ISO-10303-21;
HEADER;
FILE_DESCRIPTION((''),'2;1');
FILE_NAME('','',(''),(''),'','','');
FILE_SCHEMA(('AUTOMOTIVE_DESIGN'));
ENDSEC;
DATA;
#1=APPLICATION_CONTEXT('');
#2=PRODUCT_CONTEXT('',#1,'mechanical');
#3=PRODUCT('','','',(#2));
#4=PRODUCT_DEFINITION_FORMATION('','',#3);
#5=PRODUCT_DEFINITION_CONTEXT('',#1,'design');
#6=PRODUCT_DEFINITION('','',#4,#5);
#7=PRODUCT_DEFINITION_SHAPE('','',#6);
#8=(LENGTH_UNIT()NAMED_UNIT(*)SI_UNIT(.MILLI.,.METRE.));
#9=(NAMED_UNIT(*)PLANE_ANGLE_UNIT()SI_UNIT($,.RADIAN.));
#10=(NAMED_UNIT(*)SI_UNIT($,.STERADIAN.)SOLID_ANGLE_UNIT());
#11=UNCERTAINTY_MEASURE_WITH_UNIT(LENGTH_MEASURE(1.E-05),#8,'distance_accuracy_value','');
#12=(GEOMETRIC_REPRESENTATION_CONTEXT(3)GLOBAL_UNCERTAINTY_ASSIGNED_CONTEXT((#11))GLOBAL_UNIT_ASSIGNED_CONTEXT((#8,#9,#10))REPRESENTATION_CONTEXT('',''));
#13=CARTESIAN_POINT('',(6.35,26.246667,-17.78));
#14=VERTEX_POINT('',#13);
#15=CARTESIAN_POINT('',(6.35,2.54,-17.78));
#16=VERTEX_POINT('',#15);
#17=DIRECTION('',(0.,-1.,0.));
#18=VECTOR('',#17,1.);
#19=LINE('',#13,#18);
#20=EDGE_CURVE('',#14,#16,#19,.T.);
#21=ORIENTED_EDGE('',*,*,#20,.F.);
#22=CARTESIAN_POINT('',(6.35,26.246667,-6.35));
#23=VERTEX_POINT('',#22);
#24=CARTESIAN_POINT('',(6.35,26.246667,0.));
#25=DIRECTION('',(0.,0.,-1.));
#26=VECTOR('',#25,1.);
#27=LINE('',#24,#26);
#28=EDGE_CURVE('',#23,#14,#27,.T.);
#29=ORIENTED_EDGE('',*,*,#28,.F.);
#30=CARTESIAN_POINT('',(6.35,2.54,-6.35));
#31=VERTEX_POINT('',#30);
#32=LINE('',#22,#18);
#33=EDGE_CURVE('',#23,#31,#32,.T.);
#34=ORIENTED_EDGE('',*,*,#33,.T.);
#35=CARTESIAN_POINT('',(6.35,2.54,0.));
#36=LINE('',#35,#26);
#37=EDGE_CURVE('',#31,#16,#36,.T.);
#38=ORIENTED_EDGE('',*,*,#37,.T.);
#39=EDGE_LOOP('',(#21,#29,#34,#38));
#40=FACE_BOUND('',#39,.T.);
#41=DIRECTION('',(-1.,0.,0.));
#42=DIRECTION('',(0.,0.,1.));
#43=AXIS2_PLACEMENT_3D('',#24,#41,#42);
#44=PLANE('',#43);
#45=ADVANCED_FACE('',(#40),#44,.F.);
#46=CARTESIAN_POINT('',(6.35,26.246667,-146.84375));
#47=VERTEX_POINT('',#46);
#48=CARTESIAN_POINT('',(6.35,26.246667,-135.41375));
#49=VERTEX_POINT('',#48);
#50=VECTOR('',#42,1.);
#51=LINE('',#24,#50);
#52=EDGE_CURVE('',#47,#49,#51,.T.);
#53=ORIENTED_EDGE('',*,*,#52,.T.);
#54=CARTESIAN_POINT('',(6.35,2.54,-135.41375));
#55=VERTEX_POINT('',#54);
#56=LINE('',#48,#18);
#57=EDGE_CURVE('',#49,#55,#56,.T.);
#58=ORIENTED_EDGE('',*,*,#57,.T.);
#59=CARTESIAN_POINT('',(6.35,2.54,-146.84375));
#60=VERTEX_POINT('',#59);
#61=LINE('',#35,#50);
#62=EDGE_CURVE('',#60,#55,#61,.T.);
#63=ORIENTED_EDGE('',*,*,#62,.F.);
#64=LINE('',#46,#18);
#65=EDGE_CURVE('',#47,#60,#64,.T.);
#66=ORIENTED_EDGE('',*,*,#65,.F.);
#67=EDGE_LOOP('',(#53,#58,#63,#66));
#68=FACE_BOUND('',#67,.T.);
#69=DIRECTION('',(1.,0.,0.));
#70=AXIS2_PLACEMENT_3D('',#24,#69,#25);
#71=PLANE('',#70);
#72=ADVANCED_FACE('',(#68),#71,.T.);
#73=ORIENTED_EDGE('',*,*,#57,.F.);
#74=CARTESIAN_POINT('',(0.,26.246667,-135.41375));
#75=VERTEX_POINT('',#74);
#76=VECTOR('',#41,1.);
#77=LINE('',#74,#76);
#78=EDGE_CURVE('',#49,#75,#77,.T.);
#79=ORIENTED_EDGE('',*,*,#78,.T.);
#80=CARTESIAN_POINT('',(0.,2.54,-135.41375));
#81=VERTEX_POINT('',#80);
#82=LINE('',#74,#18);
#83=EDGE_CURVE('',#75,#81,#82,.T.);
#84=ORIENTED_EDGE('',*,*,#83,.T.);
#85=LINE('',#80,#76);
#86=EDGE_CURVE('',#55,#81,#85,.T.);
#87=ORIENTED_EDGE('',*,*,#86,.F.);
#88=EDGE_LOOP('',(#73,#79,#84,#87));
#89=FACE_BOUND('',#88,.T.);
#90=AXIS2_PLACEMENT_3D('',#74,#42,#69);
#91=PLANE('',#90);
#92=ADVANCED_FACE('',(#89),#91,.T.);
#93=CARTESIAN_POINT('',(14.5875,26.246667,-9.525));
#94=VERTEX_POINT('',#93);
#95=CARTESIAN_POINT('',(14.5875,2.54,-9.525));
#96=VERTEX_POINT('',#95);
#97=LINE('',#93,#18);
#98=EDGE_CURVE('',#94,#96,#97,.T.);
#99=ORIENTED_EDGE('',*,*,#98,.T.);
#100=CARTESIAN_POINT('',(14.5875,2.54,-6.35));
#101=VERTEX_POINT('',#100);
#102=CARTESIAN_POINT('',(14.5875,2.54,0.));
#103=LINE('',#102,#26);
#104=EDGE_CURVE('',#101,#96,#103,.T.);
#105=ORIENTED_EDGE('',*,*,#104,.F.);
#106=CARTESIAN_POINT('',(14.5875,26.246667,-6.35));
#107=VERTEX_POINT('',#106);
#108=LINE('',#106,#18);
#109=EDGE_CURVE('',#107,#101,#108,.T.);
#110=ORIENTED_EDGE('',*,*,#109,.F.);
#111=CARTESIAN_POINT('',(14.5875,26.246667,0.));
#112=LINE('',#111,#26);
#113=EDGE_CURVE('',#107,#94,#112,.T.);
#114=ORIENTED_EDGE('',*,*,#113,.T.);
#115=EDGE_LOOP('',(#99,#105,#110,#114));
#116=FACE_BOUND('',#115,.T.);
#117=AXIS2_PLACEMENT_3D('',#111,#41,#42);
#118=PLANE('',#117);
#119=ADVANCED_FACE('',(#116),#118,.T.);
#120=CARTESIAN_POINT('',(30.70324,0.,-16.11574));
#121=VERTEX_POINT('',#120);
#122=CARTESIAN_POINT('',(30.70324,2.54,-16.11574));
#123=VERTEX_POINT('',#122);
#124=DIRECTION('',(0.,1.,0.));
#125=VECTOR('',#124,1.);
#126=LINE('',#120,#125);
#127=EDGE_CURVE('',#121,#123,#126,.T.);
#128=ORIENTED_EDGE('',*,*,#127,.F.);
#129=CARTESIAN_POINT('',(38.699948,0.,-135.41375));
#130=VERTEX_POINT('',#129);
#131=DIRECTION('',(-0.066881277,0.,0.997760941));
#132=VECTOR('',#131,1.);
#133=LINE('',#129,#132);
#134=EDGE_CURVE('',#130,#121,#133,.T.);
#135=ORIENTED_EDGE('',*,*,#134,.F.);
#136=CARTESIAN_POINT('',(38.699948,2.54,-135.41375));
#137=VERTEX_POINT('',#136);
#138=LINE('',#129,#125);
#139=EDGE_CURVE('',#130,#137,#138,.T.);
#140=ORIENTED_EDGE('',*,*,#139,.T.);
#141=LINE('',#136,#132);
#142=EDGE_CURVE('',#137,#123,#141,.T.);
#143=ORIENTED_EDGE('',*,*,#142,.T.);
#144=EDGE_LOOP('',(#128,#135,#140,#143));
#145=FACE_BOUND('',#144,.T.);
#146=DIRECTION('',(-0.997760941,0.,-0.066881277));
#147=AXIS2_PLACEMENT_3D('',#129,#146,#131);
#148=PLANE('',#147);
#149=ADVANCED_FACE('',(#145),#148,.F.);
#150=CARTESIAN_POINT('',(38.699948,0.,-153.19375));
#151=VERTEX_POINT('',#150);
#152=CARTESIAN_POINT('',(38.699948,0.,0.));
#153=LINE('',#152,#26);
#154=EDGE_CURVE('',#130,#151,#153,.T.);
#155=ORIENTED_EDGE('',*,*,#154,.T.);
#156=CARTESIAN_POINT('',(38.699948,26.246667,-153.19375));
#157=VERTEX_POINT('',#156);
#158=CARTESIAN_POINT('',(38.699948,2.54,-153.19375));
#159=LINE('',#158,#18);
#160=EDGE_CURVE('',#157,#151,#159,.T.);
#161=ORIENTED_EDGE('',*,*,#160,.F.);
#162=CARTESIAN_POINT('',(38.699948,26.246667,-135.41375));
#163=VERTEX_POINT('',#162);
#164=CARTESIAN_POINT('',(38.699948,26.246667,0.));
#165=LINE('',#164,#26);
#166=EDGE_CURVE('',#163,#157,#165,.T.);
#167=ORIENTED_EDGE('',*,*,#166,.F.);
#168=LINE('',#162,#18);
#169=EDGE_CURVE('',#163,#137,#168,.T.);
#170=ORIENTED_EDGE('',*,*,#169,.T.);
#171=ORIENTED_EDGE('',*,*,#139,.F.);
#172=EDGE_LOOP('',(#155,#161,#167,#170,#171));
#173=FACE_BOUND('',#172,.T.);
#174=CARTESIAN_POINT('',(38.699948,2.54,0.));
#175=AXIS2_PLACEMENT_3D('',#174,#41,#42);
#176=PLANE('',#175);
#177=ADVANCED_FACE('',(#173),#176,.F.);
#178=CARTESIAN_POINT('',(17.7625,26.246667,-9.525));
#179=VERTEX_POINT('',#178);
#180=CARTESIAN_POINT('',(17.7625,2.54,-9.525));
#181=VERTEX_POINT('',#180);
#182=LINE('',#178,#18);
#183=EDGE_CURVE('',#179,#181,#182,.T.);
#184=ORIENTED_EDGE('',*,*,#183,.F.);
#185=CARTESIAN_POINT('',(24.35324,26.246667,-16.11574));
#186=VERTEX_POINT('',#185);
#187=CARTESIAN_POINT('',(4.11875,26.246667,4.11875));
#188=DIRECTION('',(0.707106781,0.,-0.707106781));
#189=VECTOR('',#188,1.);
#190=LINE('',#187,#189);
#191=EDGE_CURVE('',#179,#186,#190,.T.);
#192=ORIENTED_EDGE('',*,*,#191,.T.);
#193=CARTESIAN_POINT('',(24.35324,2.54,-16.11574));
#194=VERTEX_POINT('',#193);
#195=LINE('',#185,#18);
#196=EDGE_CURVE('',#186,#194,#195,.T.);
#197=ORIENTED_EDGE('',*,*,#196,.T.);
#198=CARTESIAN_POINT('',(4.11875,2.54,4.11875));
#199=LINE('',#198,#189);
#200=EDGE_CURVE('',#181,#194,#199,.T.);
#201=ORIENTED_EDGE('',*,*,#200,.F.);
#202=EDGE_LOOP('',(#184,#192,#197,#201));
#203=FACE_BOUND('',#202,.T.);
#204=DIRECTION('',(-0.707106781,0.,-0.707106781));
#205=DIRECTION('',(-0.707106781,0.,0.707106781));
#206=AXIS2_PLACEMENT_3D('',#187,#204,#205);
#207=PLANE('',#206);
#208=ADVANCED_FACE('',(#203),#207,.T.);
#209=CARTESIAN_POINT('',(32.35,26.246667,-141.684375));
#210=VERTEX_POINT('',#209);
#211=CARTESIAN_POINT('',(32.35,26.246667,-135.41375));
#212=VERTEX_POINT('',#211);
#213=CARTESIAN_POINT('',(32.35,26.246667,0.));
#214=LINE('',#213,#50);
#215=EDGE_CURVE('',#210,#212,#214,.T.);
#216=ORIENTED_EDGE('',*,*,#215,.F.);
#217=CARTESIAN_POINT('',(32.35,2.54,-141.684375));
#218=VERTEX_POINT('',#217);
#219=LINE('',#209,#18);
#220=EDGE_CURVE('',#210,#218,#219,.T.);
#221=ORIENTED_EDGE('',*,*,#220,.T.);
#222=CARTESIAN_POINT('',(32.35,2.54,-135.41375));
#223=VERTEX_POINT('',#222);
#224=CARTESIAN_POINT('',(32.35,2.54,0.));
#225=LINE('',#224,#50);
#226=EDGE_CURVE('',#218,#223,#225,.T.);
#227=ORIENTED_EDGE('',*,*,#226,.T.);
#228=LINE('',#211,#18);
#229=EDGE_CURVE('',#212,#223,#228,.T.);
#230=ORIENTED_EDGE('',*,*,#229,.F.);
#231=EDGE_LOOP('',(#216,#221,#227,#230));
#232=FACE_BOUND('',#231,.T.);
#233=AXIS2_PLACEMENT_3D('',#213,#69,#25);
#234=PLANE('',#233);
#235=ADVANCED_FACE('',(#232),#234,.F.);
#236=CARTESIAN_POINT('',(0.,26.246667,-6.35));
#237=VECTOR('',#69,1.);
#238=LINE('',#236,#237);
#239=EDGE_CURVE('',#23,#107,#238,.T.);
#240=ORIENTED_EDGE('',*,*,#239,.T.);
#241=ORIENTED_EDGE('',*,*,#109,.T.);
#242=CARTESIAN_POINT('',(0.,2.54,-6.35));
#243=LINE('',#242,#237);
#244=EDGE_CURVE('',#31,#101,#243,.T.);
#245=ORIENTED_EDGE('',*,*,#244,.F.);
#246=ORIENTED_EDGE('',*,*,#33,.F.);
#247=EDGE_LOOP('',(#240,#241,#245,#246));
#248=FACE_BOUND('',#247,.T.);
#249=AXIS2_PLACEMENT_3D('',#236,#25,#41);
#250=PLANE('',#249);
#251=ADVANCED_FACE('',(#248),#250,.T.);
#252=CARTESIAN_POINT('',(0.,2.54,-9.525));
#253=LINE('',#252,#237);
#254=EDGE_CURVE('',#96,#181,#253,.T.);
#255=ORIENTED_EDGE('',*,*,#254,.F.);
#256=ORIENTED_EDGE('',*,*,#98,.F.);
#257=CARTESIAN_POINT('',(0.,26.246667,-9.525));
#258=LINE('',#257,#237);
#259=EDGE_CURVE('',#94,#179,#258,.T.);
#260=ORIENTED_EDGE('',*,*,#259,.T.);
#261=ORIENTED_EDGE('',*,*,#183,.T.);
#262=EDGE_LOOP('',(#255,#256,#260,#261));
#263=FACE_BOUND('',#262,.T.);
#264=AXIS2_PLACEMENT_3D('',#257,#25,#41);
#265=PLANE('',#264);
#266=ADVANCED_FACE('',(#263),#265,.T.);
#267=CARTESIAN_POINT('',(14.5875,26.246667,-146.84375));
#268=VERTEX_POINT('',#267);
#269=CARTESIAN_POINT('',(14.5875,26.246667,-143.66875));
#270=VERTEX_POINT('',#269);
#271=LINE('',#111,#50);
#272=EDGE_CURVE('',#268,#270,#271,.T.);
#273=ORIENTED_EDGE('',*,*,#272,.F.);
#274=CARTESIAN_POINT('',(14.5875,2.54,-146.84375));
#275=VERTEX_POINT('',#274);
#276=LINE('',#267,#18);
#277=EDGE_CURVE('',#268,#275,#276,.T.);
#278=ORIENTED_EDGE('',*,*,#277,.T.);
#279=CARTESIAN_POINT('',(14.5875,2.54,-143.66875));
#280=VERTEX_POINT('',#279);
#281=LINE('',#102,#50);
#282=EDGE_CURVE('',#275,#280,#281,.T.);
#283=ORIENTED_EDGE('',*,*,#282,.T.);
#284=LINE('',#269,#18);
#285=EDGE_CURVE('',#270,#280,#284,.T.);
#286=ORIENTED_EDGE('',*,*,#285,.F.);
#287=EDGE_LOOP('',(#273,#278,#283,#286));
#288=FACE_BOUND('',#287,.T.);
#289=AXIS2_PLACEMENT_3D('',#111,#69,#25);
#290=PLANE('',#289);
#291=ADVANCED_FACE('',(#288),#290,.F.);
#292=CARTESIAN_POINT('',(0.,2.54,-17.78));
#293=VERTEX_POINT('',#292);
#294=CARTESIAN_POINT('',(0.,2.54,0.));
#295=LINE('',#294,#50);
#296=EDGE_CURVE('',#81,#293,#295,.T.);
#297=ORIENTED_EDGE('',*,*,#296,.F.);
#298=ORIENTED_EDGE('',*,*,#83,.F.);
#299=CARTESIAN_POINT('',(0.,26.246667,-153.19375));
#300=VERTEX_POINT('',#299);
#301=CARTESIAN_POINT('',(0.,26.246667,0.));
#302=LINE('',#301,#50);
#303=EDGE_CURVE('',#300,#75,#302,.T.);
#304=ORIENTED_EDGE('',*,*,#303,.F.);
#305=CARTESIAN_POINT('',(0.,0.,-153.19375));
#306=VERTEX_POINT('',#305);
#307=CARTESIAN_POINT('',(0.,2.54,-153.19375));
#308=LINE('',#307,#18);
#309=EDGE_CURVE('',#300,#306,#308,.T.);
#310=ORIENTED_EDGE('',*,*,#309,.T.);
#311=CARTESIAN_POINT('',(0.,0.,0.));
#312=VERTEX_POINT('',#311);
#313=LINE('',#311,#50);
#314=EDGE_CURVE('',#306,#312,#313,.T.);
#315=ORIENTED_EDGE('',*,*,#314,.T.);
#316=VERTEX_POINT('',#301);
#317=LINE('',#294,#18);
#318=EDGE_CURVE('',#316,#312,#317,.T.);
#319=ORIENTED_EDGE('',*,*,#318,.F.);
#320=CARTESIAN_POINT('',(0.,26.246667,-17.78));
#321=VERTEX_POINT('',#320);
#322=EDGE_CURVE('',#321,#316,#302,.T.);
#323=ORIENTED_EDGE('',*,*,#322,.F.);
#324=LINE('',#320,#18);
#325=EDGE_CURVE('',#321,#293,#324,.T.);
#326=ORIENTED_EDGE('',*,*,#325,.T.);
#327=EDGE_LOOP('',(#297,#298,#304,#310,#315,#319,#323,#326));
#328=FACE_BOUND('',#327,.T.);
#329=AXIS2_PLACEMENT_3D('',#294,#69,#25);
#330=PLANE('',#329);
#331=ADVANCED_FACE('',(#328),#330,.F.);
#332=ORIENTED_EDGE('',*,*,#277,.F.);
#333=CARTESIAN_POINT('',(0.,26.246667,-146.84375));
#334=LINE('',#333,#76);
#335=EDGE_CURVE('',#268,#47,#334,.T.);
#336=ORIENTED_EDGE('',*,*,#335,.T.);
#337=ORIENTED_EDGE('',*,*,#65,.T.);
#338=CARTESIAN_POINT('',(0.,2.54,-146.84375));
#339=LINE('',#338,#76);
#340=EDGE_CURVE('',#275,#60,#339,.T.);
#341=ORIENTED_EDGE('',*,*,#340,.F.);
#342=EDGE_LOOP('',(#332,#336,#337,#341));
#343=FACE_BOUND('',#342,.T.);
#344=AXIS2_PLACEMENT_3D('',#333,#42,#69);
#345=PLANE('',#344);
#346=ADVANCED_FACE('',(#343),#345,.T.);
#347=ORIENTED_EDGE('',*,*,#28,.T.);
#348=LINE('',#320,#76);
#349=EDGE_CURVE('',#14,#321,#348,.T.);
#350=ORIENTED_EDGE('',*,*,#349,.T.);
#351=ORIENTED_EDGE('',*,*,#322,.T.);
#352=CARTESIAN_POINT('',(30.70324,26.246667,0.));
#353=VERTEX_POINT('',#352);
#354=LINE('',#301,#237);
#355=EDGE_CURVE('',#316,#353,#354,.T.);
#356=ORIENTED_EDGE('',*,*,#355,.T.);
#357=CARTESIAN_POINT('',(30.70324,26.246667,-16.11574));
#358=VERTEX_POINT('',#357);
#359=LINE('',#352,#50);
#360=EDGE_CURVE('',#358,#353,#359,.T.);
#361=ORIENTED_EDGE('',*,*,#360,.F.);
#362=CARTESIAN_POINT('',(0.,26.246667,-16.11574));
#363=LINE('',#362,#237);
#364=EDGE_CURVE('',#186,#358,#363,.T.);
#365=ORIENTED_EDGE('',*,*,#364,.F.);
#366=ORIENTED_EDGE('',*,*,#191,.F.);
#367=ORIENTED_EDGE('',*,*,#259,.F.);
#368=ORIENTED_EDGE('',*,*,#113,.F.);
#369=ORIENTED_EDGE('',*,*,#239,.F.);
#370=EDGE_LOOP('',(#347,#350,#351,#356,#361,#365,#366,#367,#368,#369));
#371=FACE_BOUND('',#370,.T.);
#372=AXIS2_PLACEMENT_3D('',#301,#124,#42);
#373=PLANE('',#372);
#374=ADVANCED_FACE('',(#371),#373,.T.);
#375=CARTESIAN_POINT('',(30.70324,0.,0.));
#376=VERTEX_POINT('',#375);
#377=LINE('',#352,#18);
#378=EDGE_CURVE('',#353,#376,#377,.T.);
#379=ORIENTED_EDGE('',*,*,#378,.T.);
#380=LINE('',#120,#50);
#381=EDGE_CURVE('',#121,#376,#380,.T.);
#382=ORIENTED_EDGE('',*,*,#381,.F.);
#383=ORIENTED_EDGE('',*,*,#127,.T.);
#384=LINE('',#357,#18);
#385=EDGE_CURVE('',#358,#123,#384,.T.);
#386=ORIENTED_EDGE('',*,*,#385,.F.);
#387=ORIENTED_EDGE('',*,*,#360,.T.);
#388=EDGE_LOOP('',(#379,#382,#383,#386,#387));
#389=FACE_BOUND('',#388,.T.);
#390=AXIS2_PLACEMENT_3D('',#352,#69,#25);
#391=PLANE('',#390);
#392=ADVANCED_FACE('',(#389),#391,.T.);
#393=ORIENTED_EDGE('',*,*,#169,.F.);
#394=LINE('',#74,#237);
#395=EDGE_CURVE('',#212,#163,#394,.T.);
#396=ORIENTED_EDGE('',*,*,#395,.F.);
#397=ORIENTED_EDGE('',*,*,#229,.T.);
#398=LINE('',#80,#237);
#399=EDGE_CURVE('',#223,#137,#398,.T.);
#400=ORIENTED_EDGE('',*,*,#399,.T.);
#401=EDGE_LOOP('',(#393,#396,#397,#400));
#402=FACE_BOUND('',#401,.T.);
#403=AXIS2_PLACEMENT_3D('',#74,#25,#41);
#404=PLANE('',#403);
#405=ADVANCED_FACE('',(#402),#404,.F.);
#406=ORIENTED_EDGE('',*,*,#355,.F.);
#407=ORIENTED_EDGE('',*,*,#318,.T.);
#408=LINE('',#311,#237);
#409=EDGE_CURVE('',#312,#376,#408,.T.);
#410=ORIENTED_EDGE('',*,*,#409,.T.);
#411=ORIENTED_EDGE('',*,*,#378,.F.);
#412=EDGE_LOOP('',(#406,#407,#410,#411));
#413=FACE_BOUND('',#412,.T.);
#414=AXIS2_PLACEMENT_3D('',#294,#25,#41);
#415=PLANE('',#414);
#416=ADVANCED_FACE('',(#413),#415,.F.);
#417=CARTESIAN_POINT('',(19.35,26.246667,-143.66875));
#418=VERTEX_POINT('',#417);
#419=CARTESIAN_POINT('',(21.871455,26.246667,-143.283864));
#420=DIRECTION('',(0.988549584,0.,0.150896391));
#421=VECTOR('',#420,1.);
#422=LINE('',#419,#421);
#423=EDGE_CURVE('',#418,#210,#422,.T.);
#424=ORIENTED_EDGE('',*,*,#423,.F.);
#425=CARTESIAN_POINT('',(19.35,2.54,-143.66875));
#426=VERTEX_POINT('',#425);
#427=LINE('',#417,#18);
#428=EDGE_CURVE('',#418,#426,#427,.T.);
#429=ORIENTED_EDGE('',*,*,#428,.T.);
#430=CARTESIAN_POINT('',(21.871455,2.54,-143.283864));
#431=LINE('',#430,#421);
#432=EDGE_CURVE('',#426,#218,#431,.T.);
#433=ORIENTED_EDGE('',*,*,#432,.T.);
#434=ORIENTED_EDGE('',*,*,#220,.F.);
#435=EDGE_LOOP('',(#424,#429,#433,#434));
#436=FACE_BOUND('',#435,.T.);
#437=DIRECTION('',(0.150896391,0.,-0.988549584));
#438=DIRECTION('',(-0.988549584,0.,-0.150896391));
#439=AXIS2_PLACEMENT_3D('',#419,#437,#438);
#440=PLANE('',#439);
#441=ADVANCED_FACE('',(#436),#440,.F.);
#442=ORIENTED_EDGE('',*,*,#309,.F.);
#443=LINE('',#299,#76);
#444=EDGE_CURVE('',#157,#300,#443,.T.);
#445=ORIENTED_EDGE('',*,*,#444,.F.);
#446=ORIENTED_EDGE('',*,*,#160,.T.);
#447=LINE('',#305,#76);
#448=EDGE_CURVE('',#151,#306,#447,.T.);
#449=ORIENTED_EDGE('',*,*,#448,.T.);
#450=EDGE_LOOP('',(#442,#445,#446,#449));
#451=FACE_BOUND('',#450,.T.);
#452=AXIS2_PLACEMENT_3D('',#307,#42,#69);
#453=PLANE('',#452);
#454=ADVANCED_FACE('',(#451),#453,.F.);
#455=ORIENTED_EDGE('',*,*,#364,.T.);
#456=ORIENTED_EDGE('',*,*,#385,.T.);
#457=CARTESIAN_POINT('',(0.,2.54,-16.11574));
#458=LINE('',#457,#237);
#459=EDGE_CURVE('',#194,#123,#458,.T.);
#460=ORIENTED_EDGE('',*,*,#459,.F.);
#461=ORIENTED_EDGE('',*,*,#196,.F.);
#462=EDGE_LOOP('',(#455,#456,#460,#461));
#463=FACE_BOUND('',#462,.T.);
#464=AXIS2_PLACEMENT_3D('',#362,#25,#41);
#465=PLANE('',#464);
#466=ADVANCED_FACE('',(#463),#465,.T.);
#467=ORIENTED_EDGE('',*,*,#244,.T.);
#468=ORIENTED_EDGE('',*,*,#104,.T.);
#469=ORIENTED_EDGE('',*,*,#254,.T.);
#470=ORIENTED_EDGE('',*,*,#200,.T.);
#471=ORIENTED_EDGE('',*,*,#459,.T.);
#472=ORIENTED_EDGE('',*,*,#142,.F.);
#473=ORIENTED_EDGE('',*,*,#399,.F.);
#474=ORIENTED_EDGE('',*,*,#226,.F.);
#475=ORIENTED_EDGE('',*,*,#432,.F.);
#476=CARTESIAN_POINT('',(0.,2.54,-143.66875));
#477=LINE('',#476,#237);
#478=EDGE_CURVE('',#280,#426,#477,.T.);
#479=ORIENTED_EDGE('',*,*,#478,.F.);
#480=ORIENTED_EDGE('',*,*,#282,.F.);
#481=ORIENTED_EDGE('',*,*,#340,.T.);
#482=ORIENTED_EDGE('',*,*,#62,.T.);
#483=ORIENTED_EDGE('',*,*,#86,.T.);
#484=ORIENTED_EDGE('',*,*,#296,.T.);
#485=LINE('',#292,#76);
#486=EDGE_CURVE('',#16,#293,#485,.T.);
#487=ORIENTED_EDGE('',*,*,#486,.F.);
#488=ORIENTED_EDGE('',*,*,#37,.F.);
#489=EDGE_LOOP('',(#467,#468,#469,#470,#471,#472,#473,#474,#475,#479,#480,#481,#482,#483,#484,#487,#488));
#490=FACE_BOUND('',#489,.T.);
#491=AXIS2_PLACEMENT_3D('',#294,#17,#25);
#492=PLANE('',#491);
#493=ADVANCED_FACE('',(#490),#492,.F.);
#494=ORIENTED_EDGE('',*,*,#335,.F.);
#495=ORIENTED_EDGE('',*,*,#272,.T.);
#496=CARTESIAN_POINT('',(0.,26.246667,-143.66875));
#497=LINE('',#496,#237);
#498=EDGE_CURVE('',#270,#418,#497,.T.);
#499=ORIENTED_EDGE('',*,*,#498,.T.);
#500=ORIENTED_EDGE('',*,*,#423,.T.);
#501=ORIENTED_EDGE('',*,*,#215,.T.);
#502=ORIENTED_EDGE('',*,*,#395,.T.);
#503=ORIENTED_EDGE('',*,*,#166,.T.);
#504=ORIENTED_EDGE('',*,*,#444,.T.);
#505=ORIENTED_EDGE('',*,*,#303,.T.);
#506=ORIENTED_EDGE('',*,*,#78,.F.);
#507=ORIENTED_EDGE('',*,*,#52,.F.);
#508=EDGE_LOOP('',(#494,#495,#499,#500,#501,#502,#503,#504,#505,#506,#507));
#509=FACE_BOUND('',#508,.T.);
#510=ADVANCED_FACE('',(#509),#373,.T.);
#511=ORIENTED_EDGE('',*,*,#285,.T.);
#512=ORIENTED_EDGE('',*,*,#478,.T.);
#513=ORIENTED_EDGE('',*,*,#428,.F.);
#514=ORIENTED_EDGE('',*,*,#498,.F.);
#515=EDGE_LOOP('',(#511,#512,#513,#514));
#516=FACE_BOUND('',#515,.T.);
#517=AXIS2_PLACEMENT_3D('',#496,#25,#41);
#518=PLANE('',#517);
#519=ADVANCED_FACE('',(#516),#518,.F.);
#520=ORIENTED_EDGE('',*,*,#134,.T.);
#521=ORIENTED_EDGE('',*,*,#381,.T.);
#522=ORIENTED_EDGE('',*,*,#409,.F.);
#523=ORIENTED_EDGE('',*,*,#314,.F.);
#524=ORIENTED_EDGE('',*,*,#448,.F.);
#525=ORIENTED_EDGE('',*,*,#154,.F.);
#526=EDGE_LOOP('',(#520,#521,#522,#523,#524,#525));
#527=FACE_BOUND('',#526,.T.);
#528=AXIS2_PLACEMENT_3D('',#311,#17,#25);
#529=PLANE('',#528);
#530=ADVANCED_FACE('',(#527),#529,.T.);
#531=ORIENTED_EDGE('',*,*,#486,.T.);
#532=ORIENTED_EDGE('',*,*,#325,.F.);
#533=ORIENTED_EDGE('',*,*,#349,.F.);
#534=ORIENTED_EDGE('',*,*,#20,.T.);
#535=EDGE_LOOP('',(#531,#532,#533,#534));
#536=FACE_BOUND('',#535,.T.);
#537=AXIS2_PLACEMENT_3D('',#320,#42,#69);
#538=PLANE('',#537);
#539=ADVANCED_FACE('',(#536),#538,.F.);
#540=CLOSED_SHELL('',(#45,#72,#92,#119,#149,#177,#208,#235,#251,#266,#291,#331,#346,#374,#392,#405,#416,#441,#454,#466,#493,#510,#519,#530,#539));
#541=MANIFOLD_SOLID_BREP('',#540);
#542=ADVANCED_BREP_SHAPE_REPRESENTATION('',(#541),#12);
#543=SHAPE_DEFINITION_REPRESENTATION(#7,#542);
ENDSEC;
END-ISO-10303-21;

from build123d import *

# Parameters (mm, degrees)
SKETCH1_W           = 38.699948
SKETCH1_H           = 153.19375
BOSS_EXTRUDE1_DEPTH = 2.54
BOSS_EXTRUDE2_DEPTH = 23.706666582
CUT_EXTRUDE1_DEPTH  = 160.77490754


with BuildPart() as part:
    # Sketch1 → Boss-Extrude1 (new body)
    with BuildSketch(Plane(origin=(0, 0, 0), x_dir=(1, 0, 0), z_dir=(0, 1, 0))):
        with Locations((19.349974, 76.596875)):
            Rectangle(SKETCH1_W, SKETCH1_H)
    extrude(amount=BOSS_EXTRUDE1_DEPTH)

    # Sketch3 → Boss-Extrude2 (add)
    with BuildSketch(Plane(origin=(0, 2.54, 0), x_dir=(1, 0, 0), z_dir=(0, 1, 0))):
        Polygon((6.35, 146.84375), (14.5875, 146.84375), (14.5875, 143.66875), (19.35, 143.66875), (32.35, 141.684375), (32.35, 135.41375), (38.7, 135.41375), (38.7, 153.19375), (0, 153.19375), (0, 135.41375), (6.35, 135.41375), align=None)
        Polygon((17.7625, 9.525), (14.5875, 9.525), (14.5875, 6.35), (6.35, 6.35), (6.35, 17.78), (0, 17.78), (0, 0), (30.703239638, 0), (30.703239638, 16.115739638), (24.353239638, 16.115739638), align=None)
    extrude(amount=BOSS_EXTRUDE2_DEPTH)

    # Sketch4 → Cut-Extrude1 (cut, through all)
    with BuildSketch(Plane(origin=(0, 2.54, 0), x_dir=(1, 0, 0), z_dir=(0, 1, 0))):
        Polygon((30.703239638, 0), (38.699948, 0), (38.699948, 135.41375), (30.703239638, 16.115739638), align=None)
    extrude(amount=-CUT_EXTRUDE1_DEPTH, mode=Mode.SUBTRACT)


solid = part.part
